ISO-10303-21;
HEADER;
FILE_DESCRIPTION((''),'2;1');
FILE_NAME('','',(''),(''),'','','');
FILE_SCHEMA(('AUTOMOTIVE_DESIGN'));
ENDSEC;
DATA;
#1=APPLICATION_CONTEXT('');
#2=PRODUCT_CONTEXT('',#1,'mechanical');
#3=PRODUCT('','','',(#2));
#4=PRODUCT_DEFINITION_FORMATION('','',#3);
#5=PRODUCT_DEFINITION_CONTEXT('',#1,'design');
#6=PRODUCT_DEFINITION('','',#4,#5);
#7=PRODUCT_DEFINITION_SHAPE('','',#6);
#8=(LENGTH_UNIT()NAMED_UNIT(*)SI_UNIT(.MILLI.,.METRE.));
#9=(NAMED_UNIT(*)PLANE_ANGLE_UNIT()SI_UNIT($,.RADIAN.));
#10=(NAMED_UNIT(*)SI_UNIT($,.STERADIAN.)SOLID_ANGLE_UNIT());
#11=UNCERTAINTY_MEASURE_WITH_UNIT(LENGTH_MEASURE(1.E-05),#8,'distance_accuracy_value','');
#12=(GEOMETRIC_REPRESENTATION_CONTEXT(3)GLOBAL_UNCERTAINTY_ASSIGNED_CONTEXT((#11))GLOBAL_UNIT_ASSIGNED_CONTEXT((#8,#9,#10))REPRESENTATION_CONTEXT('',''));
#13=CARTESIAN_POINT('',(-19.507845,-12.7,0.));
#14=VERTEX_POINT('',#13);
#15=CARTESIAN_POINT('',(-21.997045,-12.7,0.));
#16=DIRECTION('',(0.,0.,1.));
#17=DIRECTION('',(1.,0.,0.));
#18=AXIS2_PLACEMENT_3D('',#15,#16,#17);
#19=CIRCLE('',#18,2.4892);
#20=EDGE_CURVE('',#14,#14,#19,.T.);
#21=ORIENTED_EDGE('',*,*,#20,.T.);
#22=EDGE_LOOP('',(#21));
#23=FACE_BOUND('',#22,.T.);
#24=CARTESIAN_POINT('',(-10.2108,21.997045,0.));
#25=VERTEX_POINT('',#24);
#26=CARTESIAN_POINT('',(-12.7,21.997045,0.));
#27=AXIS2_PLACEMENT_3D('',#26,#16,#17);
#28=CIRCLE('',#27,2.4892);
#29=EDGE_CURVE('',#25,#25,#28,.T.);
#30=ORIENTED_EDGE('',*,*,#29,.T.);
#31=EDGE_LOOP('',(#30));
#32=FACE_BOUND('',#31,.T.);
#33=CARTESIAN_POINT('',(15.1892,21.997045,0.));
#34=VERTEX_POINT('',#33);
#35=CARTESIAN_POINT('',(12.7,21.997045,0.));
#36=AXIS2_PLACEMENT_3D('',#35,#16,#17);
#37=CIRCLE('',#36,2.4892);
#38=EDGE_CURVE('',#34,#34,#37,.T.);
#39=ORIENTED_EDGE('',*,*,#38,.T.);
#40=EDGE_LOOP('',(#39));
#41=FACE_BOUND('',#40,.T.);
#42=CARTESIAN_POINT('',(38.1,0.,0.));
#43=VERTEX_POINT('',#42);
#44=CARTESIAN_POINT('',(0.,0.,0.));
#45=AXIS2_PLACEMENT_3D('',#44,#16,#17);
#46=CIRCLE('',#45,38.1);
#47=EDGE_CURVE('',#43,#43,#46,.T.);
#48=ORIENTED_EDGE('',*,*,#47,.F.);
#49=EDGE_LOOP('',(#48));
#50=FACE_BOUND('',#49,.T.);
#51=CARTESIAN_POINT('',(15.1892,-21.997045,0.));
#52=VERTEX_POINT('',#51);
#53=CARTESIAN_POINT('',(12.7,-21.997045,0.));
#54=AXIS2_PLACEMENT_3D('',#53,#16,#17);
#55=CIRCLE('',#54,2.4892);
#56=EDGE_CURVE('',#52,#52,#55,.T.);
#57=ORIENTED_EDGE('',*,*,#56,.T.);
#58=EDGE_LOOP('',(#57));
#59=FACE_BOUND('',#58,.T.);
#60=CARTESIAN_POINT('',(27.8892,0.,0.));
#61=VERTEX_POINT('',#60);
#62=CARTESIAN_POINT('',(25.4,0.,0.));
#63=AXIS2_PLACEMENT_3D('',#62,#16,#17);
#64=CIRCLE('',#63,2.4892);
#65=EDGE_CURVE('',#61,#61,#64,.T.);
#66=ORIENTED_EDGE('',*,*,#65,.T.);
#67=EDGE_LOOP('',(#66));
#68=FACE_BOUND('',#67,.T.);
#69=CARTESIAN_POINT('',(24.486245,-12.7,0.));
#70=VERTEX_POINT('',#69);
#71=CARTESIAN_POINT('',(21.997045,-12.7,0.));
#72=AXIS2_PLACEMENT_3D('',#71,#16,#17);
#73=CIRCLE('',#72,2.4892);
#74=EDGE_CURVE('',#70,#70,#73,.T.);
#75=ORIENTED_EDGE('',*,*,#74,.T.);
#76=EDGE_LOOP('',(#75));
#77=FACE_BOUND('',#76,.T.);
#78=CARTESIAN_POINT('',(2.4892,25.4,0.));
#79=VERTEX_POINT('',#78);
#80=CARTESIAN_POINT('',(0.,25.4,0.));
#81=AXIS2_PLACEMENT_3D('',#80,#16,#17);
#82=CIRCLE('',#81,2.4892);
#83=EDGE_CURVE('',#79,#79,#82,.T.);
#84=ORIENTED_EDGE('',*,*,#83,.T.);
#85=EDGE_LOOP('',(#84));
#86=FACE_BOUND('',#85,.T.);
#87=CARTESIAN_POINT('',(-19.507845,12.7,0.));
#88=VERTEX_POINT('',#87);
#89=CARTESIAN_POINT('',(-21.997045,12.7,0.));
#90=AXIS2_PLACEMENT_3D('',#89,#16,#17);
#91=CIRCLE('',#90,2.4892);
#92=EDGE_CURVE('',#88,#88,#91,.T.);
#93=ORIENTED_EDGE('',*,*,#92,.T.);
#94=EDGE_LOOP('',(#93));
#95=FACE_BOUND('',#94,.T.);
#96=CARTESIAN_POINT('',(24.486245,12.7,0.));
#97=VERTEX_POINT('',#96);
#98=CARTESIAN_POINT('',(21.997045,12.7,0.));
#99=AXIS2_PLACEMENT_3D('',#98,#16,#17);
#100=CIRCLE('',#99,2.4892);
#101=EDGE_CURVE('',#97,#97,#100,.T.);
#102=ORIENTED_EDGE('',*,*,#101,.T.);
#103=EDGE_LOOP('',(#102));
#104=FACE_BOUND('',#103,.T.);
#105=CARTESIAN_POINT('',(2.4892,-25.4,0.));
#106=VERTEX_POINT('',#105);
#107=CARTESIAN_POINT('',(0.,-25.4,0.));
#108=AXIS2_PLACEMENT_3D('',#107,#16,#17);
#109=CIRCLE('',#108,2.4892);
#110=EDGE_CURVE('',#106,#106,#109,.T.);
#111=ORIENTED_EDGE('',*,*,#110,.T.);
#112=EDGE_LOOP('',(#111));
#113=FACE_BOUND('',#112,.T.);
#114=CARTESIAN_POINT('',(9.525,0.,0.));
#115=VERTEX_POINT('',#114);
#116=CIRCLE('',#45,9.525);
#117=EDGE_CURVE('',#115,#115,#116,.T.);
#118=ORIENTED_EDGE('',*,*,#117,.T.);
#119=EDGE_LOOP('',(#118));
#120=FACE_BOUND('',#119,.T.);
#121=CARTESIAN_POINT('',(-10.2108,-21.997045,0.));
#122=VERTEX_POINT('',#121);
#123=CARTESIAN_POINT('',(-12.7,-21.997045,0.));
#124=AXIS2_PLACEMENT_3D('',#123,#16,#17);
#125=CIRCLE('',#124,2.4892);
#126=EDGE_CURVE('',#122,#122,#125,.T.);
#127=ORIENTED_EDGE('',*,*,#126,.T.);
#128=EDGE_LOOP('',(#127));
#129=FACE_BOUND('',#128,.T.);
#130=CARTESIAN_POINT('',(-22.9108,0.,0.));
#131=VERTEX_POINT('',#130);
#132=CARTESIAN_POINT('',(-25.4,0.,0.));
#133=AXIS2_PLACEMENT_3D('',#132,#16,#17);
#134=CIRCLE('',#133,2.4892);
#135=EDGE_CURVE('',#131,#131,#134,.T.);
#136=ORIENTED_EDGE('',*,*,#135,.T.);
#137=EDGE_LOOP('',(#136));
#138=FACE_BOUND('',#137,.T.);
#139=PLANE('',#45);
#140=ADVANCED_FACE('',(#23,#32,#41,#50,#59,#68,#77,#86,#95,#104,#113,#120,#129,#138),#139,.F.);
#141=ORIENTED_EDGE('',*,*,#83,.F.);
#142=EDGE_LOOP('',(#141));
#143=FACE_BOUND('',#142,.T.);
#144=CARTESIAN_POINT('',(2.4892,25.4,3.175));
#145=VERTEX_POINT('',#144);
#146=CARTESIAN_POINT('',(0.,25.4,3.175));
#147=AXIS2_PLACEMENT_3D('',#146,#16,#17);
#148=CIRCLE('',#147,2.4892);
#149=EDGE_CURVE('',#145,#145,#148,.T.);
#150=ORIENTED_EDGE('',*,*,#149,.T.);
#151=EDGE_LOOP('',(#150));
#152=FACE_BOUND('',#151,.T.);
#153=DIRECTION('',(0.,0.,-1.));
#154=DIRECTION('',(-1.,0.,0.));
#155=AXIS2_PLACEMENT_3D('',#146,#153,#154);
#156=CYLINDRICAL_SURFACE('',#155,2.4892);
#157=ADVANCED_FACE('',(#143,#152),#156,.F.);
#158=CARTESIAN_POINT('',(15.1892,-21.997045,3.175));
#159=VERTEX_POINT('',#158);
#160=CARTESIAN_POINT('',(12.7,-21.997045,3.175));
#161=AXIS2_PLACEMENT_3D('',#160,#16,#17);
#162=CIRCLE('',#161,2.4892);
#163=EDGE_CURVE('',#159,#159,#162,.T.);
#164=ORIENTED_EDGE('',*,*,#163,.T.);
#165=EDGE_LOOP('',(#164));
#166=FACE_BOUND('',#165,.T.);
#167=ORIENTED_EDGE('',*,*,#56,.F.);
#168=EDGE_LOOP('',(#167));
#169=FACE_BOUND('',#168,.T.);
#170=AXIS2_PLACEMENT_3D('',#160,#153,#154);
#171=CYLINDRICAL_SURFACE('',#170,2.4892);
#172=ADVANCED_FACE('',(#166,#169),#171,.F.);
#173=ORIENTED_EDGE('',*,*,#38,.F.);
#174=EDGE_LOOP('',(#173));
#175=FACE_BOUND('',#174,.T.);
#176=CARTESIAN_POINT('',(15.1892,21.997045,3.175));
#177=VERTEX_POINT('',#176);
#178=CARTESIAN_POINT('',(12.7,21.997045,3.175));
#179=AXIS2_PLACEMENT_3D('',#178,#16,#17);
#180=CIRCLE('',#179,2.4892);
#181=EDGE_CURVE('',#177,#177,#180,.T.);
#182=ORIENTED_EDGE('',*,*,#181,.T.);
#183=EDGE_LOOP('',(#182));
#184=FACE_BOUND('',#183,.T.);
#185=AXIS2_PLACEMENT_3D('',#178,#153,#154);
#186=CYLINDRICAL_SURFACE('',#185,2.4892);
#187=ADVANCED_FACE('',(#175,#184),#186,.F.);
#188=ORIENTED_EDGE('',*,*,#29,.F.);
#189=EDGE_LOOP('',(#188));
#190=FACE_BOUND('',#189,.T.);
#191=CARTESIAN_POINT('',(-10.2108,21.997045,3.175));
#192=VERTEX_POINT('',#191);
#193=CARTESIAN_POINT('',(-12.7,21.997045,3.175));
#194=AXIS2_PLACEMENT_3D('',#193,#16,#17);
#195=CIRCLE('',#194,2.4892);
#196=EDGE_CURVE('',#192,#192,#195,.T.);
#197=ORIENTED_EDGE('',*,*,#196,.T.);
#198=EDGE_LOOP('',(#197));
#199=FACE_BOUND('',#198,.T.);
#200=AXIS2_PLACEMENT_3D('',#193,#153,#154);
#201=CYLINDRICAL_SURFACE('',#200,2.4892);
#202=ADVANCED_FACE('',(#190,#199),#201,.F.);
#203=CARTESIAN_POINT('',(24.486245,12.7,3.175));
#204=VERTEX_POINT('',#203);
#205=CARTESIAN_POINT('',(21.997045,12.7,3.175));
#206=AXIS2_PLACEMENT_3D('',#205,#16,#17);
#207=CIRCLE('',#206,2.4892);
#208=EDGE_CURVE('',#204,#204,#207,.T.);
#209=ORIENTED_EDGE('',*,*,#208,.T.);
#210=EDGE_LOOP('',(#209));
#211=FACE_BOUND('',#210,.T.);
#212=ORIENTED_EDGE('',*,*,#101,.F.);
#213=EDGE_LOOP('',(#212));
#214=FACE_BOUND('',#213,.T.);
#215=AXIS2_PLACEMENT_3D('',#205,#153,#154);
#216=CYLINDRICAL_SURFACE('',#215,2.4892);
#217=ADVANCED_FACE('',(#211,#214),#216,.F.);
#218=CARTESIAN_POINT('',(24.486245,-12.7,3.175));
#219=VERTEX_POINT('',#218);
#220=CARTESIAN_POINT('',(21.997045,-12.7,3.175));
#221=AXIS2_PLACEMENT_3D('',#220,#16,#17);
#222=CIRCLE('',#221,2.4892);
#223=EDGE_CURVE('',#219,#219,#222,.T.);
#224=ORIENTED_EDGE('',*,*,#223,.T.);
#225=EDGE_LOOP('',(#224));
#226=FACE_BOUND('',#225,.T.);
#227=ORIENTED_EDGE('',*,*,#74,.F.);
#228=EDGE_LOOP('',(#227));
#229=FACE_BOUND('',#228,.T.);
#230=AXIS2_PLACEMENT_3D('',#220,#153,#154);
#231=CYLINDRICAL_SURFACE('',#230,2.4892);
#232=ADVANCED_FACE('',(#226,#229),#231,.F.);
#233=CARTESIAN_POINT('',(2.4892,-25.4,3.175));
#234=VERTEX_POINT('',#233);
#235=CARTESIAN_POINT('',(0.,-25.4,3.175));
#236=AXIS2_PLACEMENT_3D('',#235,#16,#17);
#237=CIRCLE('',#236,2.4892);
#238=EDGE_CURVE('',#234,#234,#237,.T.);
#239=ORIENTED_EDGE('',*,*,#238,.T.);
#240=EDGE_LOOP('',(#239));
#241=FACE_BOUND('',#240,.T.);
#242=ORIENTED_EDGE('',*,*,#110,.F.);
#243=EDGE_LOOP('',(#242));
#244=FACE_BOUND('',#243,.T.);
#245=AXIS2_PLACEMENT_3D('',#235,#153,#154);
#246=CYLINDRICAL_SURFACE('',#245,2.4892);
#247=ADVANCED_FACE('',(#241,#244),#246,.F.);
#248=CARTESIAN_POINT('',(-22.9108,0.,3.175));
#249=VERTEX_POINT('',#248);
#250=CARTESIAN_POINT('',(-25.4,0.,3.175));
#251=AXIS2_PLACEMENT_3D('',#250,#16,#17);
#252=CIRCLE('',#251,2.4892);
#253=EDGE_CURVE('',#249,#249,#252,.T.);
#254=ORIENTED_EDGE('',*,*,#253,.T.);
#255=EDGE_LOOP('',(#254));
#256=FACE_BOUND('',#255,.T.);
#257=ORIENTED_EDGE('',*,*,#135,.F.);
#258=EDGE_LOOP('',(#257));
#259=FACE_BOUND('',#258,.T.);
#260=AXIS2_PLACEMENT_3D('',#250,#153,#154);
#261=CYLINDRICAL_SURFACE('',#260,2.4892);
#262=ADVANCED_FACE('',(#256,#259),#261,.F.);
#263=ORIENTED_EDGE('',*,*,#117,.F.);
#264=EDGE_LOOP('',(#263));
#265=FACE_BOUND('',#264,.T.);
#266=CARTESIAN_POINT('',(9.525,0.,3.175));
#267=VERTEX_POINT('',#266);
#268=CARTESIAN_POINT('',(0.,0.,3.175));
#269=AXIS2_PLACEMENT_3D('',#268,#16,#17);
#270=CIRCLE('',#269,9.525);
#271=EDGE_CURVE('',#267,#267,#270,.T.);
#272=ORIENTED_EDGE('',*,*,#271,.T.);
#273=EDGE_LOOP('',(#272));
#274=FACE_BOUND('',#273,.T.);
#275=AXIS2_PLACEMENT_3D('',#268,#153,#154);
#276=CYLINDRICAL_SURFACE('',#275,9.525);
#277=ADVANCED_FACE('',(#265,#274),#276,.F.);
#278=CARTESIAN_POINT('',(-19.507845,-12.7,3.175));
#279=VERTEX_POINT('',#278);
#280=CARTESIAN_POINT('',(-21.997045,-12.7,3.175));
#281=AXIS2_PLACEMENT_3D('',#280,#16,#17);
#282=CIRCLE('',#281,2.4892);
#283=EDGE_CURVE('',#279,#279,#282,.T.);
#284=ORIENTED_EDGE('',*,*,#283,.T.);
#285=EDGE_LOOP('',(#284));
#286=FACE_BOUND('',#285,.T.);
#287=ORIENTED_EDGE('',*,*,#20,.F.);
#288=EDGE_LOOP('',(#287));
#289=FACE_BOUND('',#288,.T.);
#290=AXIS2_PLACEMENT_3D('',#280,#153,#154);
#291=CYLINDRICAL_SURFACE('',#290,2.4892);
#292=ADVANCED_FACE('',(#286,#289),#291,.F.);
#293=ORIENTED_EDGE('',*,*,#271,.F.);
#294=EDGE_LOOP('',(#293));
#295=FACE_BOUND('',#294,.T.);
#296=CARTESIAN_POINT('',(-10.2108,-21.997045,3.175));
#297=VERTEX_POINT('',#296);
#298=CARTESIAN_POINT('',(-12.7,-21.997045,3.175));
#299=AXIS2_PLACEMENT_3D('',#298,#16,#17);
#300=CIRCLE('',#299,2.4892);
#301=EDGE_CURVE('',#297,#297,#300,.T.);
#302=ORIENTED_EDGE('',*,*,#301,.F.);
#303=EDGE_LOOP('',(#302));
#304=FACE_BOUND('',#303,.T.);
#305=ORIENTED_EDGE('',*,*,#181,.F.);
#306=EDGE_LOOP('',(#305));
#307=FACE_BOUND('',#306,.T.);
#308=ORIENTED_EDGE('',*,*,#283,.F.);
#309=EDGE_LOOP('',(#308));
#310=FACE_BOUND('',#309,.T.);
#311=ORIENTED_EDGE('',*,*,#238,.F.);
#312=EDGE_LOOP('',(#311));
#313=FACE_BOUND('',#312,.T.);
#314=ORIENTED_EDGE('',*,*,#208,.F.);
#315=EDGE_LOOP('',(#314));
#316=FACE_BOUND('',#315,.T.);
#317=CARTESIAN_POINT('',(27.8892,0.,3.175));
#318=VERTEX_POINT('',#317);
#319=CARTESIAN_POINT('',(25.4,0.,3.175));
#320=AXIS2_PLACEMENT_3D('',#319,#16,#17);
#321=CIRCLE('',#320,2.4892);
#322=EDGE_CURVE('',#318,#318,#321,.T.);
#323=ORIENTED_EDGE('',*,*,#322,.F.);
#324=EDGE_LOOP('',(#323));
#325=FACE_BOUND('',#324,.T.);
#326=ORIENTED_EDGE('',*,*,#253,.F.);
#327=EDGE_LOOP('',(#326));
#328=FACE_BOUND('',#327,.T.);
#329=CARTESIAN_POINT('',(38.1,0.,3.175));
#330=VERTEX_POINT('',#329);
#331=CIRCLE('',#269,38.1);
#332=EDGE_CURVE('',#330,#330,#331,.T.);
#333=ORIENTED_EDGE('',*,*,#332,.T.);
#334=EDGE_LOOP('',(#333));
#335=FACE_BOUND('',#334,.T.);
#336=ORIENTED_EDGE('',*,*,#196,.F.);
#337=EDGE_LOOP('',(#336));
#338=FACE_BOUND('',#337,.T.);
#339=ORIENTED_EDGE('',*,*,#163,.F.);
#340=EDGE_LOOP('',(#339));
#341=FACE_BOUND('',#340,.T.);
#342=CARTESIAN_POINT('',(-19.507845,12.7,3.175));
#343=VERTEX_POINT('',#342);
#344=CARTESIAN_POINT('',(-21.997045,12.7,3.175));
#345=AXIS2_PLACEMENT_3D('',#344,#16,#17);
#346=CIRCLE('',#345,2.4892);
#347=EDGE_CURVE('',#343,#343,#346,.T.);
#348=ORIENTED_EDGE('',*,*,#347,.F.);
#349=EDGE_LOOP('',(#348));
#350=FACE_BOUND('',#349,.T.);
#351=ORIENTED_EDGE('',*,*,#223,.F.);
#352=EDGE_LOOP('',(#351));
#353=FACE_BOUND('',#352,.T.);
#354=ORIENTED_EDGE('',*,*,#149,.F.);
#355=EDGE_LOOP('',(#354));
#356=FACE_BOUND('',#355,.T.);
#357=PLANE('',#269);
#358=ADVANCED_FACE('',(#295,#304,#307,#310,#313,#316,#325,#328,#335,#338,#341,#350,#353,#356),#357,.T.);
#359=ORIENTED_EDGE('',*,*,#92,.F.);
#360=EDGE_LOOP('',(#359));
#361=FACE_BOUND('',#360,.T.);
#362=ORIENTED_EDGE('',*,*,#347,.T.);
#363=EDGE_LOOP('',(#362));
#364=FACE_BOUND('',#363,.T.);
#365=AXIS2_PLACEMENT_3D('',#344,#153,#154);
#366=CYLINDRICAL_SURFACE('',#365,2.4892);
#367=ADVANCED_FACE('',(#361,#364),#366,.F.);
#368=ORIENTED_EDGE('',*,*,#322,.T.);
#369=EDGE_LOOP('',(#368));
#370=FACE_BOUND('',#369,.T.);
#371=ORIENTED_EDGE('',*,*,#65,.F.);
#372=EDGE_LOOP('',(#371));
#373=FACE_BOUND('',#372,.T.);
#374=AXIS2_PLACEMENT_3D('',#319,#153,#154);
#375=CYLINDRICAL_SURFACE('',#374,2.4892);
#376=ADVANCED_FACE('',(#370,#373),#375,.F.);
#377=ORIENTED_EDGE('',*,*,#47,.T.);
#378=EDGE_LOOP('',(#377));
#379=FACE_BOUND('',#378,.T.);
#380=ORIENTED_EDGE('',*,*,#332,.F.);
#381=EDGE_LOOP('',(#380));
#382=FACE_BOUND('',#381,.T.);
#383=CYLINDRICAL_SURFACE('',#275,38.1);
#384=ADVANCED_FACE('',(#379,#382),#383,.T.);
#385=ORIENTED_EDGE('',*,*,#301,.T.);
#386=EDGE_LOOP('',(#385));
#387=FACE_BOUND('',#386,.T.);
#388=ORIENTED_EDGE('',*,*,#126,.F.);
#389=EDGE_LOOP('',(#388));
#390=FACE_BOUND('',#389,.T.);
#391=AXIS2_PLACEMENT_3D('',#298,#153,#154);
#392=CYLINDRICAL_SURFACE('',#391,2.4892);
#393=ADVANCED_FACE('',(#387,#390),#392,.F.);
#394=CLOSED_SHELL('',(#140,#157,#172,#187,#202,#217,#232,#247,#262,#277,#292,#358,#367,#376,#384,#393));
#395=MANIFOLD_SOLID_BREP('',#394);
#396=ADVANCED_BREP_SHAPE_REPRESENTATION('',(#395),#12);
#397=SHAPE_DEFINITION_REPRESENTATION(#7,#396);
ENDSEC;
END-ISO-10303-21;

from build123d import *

# Parameters (mm, degrees)
SKETCH1_R           = 38.1
SKETCH1_R_2         = 9.525
SKETCH1_R_3         = 2.4892
BOSS_EXTRUDE1_DEPTH = 3.175


with BuildPart() as part:
    # Sketch1 → Boss-Extrude1 (new body)
    with BuildSketch(Plane.XY):
        Circle(SKETCH1_R)
        Circle(SKETCH1_R_2, mode=Mode.SUBTRACT)
        with Locations((0, 25.4)):
            Circle(SKETCH1_R_3, mode=Mode.SUBTRACT)
        with Locations((12.7, 21.997045256)):
            Circle(SKETCH1_R_3, mode=Mode.SUBTRACT)
        with Locations((21.997045256, 12.7)):
            Circle(SKETCH1_R_3, mode=Mode.SUBTRACT)
        with Locations((25.4, 0)):
            Circle(SKETCH1_R_3, mode=Mode.SUBTRACT)
        with Locations((21.997045256, -12.7)):
            Circle(SKETCH1_R_3, mode=Mode.SUBTRACT)
        with Locations((12.7, -21.997045256)):
            Circle(SKETCH1_R_3, mode=Mode.SUBTRACT)
        with Locations((0, -25.4)):
            Circle(SKETCH1_R_3, mode=Mode.SUBTRACT)
        with Locations((-12.7, -21.997045256)):
            Circle(SKETCH1_R_3, mode=Mode.SUBTRACT)
        with Locations((-21.997045256, -12.7)):
            Circle(SKETCH1_R_3, mode=Mode.SUBTRACT)
        with Locations((-25.4, 0)):
            Circle(SKETCH1_R_3, mode=Mode.SUBTRACT)
        with Locations((-21.997045256, 12.7)):
            Circle(SKETCH1_R_3, mode=Mode.SUBTRACT)
        with Locations((-12.7, 21.997045256)):
            Circle(SKETCH1_R_3, mode=Mode.SUBTRACT)
    extrude(amount=BOSS_EXTRUDE1_DEPTH)


solid = part.part
